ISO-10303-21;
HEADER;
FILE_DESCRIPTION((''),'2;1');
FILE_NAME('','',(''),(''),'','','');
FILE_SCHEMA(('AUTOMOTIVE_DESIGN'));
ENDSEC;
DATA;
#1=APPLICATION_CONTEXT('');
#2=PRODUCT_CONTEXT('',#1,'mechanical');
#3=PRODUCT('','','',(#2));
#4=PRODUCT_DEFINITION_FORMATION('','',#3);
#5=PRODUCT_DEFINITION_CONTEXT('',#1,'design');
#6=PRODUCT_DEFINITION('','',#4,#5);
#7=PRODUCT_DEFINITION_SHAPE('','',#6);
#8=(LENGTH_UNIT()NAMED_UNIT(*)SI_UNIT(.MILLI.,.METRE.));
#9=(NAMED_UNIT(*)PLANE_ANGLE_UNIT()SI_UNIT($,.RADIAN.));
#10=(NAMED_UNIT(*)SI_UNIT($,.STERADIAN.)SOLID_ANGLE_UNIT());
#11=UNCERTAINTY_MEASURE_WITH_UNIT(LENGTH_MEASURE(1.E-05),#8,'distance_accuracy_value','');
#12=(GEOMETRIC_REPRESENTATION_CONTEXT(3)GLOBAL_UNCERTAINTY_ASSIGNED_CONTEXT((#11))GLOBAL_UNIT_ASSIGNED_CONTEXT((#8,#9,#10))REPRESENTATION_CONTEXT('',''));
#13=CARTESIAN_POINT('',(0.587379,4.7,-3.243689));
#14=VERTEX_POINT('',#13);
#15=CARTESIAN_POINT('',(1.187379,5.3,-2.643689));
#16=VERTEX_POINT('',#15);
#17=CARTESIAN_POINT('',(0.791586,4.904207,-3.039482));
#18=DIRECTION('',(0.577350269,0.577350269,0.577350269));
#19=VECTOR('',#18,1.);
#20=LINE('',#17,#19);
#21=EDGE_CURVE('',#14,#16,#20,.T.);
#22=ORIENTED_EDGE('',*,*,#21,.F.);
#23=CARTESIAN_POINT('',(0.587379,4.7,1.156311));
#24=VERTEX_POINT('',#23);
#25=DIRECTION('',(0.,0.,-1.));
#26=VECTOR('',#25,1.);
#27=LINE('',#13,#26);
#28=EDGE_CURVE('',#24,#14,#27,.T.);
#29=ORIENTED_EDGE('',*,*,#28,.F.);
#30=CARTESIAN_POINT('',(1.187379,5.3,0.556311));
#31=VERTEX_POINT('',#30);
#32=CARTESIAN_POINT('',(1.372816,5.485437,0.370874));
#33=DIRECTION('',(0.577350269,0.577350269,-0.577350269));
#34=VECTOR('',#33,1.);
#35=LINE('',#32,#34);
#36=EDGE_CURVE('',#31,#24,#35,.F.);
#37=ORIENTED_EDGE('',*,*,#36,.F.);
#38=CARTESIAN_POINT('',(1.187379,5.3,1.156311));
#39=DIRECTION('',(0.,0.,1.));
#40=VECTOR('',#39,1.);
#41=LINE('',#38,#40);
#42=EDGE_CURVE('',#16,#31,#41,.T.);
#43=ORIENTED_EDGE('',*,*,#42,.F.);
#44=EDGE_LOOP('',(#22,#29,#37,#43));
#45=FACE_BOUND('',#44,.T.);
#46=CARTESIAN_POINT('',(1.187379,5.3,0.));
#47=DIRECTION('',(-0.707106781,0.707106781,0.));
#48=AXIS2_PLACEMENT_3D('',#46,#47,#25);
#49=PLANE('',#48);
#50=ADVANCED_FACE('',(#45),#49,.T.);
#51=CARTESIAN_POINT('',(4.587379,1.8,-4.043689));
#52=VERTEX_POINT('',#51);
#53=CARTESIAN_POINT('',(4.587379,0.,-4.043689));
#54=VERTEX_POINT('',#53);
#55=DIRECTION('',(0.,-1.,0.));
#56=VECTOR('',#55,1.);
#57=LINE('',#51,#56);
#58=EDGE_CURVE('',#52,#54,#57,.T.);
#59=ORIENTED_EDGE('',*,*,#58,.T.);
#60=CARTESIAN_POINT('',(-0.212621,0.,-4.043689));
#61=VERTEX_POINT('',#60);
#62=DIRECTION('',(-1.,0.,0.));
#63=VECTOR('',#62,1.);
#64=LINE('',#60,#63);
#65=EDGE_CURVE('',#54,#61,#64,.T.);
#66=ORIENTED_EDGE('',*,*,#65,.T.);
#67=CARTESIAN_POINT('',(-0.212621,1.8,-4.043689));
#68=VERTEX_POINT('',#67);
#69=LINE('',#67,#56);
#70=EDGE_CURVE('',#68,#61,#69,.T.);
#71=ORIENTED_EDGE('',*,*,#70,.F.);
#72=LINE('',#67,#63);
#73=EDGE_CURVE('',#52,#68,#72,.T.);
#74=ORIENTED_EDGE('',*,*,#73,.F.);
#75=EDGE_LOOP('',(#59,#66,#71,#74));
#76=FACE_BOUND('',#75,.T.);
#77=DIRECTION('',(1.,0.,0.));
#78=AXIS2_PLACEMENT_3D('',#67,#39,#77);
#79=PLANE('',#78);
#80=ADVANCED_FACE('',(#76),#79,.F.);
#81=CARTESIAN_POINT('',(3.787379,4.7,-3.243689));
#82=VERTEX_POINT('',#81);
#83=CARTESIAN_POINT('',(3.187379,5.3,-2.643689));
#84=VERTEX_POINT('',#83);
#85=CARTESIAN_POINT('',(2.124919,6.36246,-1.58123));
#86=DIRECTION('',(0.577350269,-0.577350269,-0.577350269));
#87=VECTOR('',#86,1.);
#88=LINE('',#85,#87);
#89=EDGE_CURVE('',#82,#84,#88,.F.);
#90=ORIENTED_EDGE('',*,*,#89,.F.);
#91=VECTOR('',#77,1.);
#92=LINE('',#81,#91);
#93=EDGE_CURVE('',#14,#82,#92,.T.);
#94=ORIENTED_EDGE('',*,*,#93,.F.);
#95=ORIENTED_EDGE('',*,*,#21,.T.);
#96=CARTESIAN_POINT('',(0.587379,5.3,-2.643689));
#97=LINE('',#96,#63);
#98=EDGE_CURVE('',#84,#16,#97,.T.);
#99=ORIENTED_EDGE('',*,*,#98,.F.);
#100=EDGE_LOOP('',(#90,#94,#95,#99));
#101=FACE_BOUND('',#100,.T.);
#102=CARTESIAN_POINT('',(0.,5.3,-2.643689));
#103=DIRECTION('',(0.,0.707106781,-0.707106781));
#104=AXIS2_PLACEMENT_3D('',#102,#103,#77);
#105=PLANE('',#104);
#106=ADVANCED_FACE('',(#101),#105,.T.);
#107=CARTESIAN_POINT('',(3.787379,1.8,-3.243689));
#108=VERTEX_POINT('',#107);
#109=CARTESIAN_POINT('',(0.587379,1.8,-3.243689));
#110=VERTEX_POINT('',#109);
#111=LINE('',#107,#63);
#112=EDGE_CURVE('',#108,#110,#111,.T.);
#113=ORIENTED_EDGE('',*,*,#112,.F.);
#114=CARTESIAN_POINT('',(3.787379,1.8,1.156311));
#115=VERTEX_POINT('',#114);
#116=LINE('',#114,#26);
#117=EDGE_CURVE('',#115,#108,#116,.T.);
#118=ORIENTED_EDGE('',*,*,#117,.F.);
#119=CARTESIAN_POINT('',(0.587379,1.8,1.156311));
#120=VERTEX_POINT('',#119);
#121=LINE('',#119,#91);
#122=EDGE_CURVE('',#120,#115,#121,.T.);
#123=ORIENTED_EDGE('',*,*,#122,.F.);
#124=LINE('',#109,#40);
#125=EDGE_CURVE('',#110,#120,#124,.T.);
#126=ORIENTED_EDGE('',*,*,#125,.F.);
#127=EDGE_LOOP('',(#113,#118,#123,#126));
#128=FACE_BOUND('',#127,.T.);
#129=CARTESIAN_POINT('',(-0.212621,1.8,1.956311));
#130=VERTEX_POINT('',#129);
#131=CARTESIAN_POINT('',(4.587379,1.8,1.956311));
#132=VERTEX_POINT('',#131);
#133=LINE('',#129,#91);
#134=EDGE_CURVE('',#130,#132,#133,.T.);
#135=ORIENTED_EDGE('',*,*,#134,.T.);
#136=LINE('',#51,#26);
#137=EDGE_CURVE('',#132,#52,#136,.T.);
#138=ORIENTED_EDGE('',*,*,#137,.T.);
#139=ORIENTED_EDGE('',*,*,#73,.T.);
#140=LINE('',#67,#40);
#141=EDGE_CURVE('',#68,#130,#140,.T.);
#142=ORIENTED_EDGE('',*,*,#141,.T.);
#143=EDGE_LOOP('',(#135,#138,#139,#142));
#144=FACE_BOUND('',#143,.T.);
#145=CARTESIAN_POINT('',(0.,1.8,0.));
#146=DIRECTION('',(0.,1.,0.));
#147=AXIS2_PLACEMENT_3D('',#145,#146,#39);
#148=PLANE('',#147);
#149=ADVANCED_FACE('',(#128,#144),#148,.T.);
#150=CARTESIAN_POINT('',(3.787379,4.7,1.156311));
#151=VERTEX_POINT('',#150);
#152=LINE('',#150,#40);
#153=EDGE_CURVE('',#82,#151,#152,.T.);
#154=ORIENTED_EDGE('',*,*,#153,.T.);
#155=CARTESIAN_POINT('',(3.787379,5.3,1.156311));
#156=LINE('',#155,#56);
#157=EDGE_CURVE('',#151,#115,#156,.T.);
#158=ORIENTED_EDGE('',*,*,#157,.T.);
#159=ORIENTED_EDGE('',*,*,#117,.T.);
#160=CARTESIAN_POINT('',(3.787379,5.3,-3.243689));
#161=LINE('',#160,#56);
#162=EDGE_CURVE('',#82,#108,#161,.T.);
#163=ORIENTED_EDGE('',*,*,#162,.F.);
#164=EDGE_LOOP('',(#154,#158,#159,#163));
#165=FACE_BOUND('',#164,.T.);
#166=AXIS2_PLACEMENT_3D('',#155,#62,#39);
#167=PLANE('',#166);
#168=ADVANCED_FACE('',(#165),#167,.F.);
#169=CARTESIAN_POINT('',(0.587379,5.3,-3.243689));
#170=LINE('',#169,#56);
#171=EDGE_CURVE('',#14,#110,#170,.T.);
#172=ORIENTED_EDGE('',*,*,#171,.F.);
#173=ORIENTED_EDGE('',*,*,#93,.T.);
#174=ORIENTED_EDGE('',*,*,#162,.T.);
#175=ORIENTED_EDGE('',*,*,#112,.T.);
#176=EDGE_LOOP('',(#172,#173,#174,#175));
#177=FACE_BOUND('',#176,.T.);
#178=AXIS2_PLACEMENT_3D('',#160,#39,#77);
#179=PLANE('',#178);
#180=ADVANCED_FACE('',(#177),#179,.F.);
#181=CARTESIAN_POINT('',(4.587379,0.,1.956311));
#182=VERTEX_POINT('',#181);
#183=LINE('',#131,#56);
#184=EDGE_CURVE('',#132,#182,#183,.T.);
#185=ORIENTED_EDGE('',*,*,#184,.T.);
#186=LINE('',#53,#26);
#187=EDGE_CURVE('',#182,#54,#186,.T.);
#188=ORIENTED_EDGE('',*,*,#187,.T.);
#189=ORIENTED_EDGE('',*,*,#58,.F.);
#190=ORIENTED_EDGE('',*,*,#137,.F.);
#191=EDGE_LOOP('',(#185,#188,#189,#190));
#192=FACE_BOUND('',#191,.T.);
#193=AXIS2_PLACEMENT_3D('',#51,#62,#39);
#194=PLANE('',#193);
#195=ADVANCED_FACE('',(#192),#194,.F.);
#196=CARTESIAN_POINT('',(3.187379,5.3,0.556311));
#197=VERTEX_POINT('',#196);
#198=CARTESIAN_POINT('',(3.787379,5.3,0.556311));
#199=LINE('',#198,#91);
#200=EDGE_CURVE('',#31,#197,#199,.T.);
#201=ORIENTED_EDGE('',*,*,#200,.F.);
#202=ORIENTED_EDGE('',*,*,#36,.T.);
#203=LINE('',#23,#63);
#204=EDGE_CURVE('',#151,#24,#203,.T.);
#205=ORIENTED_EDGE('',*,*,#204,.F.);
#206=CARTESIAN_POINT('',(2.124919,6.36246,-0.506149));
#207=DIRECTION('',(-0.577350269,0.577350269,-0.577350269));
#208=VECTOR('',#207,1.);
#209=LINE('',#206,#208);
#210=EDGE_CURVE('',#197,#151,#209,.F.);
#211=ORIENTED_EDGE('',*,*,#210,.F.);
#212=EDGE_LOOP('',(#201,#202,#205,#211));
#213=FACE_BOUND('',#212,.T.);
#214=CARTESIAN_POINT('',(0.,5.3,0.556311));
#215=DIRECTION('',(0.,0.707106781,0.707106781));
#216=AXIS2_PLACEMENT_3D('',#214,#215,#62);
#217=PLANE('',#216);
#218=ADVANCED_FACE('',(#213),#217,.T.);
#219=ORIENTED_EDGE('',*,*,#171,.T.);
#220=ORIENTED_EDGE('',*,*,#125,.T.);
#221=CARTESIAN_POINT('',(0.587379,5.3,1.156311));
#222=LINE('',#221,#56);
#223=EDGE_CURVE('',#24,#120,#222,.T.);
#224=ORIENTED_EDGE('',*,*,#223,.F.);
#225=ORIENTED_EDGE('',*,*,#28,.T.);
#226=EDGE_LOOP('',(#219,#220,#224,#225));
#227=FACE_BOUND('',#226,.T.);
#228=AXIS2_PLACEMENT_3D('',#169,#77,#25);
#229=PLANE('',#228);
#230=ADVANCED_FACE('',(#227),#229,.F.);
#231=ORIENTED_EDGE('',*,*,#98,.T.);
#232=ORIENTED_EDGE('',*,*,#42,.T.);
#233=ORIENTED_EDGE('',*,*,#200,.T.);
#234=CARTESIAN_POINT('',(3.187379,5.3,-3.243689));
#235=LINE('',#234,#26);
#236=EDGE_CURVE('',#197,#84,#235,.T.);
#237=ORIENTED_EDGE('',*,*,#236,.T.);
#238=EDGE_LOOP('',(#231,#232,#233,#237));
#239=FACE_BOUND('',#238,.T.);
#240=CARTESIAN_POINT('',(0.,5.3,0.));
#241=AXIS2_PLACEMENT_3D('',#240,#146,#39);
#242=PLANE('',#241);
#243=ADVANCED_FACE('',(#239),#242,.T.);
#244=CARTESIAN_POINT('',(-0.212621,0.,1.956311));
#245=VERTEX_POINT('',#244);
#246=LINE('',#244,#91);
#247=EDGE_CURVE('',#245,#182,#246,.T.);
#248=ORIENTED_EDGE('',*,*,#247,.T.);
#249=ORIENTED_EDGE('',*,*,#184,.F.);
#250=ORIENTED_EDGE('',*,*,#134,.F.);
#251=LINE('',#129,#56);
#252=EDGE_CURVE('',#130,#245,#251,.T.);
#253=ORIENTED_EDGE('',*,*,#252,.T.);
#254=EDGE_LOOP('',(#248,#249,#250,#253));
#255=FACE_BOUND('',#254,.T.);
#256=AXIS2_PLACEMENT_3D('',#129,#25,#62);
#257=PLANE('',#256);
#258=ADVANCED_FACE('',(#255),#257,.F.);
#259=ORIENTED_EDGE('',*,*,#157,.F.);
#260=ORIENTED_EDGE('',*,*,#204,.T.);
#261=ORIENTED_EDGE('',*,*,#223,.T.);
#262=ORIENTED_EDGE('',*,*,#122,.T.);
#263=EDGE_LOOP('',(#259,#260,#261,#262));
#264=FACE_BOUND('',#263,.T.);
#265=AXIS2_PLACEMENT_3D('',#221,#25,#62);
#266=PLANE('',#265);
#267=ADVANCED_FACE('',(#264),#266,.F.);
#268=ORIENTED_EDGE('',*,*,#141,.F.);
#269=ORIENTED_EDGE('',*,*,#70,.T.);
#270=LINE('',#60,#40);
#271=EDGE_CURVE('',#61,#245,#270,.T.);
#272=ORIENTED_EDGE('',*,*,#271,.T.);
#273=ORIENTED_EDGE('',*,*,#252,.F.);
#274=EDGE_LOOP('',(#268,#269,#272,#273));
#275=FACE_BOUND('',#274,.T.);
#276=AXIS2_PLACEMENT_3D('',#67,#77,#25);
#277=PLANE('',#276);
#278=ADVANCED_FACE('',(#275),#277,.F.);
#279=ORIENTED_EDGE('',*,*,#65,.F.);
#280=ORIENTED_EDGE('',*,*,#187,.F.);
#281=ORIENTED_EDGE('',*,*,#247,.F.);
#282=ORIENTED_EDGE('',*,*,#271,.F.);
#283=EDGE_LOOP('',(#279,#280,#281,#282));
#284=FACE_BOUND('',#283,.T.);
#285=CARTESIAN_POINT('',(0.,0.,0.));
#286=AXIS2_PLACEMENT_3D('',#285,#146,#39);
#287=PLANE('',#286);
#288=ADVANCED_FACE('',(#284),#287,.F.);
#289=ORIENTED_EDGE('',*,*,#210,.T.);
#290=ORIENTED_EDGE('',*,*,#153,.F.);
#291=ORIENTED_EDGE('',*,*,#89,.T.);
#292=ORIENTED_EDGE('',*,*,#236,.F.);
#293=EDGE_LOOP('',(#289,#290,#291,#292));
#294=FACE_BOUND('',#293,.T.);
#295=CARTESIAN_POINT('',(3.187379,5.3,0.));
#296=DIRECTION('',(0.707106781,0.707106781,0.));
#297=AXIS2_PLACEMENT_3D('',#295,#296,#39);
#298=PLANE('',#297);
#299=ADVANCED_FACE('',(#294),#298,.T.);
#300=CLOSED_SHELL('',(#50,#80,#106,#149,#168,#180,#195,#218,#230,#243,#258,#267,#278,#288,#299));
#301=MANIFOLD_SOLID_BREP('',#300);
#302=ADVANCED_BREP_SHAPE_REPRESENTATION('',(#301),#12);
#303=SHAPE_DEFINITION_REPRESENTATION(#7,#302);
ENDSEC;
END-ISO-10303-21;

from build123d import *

# Parameters (mm, degrees)
SKETCH_1_W      = 4.8
SKETCH_1_H      = 6
EXTRUDE_1_DEPTH = 1.8
SKETCH_2_W      = 3.2
SKETCH_2_H      = 4.4
EXTRUDE_2_DEPTH = 3.5
CHAMFER_1_SIZE  = 0.6


with BuildPart() as part:
    # 草图1 → 凸台-拉伸1 (new body)
    with BuildSketch(Plane(origin=(0, 0, 0), x_dir=(1, 0, 0), z_dir=(0, 1, 0))):
        with Locations((2.187378641, 1.04368932)):
            Rectangle(SKETCH_1_W, SKETCH_1_H)
    extrude(amount=EXTRUDE_1_DEPTH)

    # 草图2 → 凸台-拉伸2 (add)
    with BuildSketch(Plane(origin=(0, 1.8, 0), x_dir=(1, 0, 0), z_dir=(0, 1, 0))):
        with Locations((2.187378641, 1.04368932)):
            Rectangle(SKETCH_2_W, SKETCH_2_H)
    extrude(amount=EXTRUDE_2_DEPTH)

    # 倒角1
    chamfer_1_edges = [part.edges().sort_by_distance(p)[0] for p in [
        (2.187378641, 5.3, -3.24368932),
        (0.587378641, 5.3, -1.04368932),
        (2.187378641, 5.3, 1.15631068),
        (3.787378641, 5.3, -1.04368932),
    ]]
    chamfer(chamfer_1_edges, length=CHAMFER_1_SIZE)


solid = part.part
